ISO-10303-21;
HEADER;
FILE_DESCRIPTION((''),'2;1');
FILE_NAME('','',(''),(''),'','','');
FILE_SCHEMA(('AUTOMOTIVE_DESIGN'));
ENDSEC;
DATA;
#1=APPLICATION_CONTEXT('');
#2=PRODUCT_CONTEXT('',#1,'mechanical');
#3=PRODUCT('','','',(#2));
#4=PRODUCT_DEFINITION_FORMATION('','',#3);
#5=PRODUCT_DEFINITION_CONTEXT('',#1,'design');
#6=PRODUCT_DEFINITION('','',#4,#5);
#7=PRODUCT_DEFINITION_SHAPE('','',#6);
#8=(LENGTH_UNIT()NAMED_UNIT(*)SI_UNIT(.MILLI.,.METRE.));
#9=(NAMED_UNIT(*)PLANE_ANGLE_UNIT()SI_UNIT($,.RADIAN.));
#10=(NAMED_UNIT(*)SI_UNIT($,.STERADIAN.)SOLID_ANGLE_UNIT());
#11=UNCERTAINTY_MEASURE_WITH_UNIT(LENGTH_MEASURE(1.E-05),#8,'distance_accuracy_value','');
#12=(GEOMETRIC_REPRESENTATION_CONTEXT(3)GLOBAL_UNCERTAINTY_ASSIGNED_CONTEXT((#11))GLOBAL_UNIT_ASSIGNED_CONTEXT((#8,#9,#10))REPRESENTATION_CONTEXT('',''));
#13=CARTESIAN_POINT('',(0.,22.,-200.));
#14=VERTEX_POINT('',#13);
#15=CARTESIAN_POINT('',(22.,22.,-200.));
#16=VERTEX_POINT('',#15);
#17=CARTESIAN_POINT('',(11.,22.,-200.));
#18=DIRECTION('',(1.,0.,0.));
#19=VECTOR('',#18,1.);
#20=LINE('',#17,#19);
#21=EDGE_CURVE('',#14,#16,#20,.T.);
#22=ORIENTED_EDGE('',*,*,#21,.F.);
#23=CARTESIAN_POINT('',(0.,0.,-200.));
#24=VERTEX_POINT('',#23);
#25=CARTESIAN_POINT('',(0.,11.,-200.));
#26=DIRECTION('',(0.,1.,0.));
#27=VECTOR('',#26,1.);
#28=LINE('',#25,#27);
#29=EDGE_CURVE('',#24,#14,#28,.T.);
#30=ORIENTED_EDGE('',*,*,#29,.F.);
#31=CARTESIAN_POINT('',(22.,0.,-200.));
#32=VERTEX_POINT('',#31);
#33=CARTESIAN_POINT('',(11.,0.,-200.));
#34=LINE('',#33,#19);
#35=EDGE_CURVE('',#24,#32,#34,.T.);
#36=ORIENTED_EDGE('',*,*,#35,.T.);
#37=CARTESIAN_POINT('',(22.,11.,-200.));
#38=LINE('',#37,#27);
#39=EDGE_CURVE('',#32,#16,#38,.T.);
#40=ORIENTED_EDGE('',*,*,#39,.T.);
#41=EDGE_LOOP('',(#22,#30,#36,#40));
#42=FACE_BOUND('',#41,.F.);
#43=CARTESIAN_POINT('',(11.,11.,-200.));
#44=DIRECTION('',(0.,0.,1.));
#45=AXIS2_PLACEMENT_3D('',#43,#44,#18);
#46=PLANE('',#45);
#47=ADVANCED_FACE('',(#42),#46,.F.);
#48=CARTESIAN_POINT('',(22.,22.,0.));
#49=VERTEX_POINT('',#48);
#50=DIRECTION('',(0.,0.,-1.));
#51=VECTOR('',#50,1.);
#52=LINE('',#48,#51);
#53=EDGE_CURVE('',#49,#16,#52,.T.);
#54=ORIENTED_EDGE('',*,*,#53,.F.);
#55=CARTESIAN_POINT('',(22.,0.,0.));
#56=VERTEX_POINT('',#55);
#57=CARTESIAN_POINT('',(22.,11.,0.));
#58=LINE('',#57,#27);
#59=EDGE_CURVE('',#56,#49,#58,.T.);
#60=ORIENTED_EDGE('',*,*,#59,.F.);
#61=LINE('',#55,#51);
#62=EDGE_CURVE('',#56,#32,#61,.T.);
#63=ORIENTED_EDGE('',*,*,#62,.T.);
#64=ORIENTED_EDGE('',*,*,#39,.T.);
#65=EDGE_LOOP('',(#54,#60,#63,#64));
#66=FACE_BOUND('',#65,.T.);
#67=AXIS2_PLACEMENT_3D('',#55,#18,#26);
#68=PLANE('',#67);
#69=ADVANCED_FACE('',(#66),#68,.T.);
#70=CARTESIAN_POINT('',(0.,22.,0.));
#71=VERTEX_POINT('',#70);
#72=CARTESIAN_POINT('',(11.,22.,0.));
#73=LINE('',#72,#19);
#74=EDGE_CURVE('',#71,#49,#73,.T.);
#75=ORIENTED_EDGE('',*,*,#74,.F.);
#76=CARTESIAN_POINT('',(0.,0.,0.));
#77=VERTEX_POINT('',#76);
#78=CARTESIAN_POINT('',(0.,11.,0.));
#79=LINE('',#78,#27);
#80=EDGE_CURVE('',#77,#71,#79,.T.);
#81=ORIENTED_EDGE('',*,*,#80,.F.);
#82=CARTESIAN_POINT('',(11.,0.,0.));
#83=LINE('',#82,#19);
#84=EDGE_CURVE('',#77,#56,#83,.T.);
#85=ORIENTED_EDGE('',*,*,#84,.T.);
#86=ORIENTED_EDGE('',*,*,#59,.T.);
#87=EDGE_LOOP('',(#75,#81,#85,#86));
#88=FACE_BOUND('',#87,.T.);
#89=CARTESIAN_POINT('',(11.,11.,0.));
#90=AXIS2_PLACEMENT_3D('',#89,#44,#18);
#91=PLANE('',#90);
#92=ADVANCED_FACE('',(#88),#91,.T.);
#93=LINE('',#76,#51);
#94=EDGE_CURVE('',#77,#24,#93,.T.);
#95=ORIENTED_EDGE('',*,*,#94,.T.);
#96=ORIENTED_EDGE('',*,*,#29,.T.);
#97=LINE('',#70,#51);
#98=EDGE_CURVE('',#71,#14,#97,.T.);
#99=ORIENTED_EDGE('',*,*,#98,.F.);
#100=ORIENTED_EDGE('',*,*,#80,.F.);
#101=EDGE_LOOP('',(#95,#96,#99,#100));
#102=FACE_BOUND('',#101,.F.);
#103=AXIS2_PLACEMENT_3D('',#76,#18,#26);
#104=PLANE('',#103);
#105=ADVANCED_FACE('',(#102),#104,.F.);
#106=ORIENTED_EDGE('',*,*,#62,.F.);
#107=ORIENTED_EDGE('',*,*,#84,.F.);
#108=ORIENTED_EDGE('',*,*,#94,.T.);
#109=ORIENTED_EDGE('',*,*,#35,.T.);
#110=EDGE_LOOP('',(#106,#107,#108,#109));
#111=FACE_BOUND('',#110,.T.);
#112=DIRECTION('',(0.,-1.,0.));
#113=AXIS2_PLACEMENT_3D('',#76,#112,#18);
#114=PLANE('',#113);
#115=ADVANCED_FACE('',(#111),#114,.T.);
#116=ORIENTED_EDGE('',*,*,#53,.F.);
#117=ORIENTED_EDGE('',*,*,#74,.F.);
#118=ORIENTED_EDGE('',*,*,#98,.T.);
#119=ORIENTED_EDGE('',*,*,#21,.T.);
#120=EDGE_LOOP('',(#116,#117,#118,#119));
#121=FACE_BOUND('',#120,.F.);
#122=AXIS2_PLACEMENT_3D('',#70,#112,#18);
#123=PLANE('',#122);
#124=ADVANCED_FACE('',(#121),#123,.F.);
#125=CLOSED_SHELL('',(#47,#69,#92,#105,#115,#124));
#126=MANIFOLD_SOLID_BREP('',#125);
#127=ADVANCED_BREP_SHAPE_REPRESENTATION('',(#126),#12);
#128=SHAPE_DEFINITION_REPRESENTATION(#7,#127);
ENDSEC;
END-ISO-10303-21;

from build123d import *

# Parameters (mm, degrees)
ESQUISSE1_W      = 22
ESQUISSE1_H      = 22
EXTRUSION1_DEPTH = 200


with BuildPart() as part:
    # Esquisse1 → Extrusion1 (new body)
    with BuildSketch(Plane.XY):
        with Locations((11, 11)):
            Rectangle(ESQUISSE1_W, ESQUISSE1_H)
    extrude(amount=-EXTRUSION1_DEPTH)


solid = part.part
